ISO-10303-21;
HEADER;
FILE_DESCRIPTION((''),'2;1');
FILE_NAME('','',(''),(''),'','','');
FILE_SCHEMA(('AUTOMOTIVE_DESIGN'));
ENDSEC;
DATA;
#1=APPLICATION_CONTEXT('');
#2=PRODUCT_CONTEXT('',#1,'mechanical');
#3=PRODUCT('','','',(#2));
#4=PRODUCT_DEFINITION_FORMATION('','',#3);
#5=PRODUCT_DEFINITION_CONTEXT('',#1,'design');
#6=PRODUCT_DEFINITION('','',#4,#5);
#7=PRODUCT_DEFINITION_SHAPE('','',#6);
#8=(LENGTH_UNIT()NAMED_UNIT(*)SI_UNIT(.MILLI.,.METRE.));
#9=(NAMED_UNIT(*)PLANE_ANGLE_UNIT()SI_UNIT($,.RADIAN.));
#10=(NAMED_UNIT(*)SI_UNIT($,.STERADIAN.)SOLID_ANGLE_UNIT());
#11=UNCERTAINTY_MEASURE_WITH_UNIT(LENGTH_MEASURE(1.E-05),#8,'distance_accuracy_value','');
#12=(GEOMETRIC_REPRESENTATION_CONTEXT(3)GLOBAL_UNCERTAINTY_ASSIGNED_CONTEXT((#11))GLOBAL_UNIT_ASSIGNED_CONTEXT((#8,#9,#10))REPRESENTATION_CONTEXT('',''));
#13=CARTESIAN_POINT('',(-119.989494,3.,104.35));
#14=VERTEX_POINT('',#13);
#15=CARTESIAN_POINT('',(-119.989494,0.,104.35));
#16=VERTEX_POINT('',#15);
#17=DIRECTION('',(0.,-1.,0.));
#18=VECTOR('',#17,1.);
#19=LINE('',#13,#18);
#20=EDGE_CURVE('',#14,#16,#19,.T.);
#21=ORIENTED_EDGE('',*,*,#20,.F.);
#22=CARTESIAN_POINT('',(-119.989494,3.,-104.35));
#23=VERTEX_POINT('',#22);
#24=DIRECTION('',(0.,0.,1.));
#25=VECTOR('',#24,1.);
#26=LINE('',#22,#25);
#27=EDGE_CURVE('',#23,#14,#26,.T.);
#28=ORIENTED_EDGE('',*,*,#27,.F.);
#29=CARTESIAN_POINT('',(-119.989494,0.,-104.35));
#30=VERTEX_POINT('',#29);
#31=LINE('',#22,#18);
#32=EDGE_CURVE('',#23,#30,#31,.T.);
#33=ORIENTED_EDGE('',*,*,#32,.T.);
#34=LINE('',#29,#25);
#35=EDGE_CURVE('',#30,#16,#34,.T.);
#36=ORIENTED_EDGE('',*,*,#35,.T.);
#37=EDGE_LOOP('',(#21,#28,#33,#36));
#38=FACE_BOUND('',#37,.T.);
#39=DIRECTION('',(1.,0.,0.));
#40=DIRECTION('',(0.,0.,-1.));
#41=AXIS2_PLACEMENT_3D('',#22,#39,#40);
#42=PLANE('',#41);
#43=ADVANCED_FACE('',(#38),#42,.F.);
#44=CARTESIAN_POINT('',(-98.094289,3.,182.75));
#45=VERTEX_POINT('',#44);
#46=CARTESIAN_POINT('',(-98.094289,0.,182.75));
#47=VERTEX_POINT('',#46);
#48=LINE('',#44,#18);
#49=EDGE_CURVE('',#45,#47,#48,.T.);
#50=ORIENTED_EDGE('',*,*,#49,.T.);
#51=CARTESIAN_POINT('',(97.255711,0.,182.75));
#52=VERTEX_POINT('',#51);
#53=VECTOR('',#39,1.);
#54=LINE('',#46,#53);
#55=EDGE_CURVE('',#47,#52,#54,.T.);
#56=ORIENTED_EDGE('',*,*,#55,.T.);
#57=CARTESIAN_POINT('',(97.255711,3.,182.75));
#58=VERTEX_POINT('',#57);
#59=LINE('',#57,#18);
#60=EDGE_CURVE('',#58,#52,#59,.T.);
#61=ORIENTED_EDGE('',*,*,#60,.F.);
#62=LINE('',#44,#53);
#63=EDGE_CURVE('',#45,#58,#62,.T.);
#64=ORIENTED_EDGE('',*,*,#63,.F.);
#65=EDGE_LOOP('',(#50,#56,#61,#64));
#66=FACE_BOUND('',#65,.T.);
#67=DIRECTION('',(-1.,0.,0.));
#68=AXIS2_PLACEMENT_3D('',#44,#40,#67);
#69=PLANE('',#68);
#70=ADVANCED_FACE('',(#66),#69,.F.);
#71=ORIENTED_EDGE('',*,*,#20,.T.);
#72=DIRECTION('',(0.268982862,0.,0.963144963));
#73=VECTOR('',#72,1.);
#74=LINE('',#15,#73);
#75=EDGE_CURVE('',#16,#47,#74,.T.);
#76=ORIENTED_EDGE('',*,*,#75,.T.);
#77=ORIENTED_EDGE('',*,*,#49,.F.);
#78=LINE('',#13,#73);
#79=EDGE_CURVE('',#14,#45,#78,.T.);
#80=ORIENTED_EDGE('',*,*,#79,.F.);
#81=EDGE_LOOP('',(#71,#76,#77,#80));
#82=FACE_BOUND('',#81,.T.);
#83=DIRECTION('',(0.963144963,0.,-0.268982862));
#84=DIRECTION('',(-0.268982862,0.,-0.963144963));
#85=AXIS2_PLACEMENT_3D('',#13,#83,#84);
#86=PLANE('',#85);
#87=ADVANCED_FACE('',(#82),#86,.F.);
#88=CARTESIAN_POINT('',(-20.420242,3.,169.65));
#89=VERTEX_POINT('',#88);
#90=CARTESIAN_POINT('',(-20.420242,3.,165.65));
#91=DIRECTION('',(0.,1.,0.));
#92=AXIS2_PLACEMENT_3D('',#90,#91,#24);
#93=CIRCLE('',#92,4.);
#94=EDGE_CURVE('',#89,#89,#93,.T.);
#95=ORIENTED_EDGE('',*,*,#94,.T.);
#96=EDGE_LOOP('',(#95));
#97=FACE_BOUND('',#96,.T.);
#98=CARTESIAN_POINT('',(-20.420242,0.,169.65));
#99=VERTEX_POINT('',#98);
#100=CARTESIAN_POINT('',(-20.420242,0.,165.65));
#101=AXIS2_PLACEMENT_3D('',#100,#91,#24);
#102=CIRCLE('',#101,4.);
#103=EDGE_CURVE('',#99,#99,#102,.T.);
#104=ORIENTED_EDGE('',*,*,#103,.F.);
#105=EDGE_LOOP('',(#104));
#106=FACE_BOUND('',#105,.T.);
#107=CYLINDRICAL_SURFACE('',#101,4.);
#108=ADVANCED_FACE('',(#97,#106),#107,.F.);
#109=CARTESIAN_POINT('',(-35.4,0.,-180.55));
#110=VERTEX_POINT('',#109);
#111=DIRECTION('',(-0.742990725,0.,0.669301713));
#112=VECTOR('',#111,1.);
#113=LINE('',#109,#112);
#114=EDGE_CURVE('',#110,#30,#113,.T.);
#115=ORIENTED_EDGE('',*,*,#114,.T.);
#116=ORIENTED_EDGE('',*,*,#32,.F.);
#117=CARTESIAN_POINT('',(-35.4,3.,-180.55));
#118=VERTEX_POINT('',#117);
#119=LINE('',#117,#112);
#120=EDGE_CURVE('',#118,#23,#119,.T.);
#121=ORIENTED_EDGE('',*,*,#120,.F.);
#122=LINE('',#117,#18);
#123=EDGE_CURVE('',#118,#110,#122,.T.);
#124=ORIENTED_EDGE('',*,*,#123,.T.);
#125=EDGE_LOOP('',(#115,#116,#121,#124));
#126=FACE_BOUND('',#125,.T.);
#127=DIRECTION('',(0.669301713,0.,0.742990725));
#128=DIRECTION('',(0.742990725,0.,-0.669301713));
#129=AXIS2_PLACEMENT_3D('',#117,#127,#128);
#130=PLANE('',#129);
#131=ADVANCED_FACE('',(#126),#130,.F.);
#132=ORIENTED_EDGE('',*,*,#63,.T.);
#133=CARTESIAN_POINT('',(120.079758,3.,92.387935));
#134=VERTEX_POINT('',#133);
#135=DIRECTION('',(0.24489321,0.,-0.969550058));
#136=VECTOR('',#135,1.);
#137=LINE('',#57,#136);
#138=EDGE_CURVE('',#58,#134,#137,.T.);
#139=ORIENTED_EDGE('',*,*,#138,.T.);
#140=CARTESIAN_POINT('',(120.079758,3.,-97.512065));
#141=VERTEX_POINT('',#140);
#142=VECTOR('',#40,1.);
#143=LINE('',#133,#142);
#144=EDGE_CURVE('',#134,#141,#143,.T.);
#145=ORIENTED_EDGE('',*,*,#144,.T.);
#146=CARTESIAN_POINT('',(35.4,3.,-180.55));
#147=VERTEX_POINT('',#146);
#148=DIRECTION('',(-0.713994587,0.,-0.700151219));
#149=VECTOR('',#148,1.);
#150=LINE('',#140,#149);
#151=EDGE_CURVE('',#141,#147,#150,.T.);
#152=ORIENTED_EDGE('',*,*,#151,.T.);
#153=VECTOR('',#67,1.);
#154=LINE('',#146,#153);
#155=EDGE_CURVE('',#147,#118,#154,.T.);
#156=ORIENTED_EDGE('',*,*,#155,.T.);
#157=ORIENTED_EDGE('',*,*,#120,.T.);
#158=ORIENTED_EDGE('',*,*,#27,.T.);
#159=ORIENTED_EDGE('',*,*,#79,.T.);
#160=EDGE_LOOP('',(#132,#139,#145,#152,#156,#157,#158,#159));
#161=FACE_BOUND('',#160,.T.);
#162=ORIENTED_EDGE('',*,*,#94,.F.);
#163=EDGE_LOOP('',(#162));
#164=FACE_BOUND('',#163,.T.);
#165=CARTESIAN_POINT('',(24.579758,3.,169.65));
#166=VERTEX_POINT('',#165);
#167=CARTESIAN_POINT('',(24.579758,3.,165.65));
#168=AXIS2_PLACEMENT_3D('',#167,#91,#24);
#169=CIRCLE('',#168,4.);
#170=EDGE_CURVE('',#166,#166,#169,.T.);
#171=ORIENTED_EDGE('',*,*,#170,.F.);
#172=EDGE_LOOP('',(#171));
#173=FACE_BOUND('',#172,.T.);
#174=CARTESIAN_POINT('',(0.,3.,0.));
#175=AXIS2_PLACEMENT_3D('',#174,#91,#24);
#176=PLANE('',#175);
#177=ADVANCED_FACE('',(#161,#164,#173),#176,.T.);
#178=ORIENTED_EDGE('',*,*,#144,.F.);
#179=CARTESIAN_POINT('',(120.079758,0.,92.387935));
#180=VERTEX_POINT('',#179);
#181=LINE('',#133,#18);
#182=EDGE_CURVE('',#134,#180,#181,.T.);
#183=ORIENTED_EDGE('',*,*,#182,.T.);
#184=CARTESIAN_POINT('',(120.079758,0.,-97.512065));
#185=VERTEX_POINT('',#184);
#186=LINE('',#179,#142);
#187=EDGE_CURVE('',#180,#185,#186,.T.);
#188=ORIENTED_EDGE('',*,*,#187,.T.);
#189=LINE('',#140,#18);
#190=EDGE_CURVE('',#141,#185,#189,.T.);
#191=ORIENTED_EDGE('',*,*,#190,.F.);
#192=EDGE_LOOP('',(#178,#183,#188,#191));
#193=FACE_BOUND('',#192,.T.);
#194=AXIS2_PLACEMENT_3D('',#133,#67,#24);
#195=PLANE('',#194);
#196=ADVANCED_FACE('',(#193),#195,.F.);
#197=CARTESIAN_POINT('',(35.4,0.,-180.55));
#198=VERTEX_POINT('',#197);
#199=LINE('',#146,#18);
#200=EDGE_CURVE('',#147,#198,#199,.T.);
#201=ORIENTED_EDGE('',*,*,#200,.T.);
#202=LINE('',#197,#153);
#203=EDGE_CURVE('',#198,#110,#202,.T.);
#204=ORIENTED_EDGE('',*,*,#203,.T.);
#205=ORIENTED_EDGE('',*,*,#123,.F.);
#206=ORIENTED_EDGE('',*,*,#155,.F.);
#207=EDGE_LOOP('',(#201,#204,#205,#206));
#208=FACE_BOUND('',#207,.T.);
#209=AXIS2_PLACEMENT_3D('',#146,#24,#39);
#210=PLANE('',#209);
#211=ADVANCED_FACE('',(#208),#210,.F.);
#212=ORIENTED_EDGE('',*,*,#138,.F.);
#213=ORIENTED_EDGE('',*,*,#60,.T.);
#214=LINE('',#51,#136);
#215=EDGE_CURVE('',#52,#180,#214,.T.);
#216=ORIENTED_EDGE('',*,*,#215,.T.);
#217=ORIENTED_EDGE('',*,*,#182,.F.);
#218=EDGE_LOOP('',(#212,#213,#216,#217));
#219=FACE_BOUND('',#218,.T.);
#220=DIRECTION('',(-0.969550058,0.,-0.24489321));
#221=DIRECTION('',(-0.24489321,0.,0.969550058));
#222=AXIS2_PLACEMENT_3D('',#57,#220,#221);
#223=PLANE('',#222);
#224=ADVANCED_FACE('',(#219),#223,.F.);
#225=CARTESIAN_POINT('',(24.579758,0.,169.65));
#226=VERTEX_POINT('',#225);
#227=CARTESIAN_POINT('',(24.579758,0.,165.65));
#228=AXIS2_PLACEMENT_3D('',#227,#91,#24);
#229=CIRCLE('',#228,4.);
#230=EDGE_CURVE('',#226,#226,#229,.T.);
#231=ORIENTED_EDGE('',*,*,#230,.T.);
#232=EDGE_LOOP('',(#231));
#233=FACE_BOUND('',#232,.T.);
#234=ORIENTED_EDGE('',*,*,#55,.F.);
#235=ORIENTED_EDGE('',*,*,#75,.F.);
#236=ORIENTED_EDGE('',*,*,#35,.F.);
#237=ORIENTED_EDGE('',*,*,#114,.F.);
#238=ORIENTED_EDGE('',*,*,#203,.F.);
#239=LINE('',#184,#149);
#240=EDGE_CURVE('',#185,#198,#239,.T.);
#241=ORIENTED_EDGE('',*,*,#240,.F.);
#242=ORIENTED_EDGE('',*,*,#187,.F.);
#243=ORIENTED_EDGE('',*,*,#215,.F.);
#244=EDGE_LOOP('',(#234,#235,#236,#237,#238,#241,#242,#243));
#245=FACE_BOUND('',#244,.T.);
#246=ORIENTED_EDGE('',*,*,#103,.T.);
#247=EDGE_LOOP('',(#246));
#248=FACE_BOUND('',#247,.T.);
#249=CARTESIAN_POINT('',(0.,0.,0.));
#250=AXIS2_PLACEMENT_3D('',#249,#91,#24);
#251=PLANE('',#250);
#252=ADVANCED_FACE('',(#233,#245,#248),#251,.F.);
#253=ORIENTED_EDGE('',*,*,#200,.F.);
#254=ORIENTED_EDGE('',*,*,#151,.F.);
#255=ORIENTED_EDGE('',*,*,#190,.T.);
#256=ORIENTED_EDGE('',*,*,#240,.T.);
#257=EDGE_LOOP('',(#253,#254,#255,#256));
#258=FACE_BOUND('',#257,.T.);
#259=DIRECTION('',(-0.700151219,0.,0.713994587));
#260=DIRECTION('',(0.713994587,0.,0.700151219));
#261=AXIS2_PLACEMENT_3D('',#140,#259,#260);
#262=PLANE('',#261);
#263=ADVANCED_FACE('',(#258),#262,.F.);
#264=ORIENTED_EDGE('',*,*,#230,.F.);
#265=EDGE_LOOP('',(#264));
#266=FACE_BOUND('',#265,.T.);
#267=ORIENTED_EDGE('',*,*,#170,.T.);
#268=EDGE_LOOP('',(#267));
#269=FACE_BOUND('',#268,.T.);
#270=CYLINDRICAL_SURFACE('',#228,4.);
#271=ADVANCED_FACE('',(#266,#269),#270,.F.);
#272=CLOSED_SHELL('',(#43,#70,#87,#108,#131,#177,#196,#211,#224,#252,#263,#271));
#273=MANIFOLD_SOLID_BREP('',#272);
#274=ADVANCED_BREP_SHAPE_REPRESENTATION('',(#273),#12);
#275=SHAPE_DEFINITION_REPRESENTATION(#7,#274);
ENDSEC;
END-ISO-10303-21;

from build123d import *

# Parameters (mm, degrees)
RESSALTO_EXTRUS_O1_DEPTH = 3
ESBO_O2_R                = 4
CORTE_EXTRUS_O1_DEPTH    = 219.690902409


with BuildPart() as part:
    # Esboço1 → Ressalto-extrusão1 (new body)
    with BuildSketch(Plane(origin=(0, 0, 0), x_dir=(1, 0, 0), z_dir=(0, 1, 0))):
        Polygon((97.255710926, -182.75), (120.079758063, -92.387934551), (120.079758063, 97.512065449), (35.4, 180.55), (-35.4, 180.55), (-119.989494029, 104.35), (-119.989494029, -104.35), (-98.094289074, -182.75), align=None)
    extrude(amount=RESSALTO_EXTRUS_O1_DEPTH)

    # Esboço2 → Corte-extrusão1 (cut, through all)
    with BuildSketch(Plane(origin=(0, 3, 0), x_dir=(1, 0, 0), z_dir=(0, 1, 0))):
        with Locations(Location((24.579758063, -165.65, 0), (0, 0, 270))):
            Circle(ESBO_O2_R)
        with Locations(Location((-20.420241937, -165.65, 0), (0, 0, 270))):
            Circle(ESBO_O2_R)
    extrude(amount=-CORTE_EXTRUS_O1_DEPTH, mode=Mode.SUBTRACT)


solid = part.part
